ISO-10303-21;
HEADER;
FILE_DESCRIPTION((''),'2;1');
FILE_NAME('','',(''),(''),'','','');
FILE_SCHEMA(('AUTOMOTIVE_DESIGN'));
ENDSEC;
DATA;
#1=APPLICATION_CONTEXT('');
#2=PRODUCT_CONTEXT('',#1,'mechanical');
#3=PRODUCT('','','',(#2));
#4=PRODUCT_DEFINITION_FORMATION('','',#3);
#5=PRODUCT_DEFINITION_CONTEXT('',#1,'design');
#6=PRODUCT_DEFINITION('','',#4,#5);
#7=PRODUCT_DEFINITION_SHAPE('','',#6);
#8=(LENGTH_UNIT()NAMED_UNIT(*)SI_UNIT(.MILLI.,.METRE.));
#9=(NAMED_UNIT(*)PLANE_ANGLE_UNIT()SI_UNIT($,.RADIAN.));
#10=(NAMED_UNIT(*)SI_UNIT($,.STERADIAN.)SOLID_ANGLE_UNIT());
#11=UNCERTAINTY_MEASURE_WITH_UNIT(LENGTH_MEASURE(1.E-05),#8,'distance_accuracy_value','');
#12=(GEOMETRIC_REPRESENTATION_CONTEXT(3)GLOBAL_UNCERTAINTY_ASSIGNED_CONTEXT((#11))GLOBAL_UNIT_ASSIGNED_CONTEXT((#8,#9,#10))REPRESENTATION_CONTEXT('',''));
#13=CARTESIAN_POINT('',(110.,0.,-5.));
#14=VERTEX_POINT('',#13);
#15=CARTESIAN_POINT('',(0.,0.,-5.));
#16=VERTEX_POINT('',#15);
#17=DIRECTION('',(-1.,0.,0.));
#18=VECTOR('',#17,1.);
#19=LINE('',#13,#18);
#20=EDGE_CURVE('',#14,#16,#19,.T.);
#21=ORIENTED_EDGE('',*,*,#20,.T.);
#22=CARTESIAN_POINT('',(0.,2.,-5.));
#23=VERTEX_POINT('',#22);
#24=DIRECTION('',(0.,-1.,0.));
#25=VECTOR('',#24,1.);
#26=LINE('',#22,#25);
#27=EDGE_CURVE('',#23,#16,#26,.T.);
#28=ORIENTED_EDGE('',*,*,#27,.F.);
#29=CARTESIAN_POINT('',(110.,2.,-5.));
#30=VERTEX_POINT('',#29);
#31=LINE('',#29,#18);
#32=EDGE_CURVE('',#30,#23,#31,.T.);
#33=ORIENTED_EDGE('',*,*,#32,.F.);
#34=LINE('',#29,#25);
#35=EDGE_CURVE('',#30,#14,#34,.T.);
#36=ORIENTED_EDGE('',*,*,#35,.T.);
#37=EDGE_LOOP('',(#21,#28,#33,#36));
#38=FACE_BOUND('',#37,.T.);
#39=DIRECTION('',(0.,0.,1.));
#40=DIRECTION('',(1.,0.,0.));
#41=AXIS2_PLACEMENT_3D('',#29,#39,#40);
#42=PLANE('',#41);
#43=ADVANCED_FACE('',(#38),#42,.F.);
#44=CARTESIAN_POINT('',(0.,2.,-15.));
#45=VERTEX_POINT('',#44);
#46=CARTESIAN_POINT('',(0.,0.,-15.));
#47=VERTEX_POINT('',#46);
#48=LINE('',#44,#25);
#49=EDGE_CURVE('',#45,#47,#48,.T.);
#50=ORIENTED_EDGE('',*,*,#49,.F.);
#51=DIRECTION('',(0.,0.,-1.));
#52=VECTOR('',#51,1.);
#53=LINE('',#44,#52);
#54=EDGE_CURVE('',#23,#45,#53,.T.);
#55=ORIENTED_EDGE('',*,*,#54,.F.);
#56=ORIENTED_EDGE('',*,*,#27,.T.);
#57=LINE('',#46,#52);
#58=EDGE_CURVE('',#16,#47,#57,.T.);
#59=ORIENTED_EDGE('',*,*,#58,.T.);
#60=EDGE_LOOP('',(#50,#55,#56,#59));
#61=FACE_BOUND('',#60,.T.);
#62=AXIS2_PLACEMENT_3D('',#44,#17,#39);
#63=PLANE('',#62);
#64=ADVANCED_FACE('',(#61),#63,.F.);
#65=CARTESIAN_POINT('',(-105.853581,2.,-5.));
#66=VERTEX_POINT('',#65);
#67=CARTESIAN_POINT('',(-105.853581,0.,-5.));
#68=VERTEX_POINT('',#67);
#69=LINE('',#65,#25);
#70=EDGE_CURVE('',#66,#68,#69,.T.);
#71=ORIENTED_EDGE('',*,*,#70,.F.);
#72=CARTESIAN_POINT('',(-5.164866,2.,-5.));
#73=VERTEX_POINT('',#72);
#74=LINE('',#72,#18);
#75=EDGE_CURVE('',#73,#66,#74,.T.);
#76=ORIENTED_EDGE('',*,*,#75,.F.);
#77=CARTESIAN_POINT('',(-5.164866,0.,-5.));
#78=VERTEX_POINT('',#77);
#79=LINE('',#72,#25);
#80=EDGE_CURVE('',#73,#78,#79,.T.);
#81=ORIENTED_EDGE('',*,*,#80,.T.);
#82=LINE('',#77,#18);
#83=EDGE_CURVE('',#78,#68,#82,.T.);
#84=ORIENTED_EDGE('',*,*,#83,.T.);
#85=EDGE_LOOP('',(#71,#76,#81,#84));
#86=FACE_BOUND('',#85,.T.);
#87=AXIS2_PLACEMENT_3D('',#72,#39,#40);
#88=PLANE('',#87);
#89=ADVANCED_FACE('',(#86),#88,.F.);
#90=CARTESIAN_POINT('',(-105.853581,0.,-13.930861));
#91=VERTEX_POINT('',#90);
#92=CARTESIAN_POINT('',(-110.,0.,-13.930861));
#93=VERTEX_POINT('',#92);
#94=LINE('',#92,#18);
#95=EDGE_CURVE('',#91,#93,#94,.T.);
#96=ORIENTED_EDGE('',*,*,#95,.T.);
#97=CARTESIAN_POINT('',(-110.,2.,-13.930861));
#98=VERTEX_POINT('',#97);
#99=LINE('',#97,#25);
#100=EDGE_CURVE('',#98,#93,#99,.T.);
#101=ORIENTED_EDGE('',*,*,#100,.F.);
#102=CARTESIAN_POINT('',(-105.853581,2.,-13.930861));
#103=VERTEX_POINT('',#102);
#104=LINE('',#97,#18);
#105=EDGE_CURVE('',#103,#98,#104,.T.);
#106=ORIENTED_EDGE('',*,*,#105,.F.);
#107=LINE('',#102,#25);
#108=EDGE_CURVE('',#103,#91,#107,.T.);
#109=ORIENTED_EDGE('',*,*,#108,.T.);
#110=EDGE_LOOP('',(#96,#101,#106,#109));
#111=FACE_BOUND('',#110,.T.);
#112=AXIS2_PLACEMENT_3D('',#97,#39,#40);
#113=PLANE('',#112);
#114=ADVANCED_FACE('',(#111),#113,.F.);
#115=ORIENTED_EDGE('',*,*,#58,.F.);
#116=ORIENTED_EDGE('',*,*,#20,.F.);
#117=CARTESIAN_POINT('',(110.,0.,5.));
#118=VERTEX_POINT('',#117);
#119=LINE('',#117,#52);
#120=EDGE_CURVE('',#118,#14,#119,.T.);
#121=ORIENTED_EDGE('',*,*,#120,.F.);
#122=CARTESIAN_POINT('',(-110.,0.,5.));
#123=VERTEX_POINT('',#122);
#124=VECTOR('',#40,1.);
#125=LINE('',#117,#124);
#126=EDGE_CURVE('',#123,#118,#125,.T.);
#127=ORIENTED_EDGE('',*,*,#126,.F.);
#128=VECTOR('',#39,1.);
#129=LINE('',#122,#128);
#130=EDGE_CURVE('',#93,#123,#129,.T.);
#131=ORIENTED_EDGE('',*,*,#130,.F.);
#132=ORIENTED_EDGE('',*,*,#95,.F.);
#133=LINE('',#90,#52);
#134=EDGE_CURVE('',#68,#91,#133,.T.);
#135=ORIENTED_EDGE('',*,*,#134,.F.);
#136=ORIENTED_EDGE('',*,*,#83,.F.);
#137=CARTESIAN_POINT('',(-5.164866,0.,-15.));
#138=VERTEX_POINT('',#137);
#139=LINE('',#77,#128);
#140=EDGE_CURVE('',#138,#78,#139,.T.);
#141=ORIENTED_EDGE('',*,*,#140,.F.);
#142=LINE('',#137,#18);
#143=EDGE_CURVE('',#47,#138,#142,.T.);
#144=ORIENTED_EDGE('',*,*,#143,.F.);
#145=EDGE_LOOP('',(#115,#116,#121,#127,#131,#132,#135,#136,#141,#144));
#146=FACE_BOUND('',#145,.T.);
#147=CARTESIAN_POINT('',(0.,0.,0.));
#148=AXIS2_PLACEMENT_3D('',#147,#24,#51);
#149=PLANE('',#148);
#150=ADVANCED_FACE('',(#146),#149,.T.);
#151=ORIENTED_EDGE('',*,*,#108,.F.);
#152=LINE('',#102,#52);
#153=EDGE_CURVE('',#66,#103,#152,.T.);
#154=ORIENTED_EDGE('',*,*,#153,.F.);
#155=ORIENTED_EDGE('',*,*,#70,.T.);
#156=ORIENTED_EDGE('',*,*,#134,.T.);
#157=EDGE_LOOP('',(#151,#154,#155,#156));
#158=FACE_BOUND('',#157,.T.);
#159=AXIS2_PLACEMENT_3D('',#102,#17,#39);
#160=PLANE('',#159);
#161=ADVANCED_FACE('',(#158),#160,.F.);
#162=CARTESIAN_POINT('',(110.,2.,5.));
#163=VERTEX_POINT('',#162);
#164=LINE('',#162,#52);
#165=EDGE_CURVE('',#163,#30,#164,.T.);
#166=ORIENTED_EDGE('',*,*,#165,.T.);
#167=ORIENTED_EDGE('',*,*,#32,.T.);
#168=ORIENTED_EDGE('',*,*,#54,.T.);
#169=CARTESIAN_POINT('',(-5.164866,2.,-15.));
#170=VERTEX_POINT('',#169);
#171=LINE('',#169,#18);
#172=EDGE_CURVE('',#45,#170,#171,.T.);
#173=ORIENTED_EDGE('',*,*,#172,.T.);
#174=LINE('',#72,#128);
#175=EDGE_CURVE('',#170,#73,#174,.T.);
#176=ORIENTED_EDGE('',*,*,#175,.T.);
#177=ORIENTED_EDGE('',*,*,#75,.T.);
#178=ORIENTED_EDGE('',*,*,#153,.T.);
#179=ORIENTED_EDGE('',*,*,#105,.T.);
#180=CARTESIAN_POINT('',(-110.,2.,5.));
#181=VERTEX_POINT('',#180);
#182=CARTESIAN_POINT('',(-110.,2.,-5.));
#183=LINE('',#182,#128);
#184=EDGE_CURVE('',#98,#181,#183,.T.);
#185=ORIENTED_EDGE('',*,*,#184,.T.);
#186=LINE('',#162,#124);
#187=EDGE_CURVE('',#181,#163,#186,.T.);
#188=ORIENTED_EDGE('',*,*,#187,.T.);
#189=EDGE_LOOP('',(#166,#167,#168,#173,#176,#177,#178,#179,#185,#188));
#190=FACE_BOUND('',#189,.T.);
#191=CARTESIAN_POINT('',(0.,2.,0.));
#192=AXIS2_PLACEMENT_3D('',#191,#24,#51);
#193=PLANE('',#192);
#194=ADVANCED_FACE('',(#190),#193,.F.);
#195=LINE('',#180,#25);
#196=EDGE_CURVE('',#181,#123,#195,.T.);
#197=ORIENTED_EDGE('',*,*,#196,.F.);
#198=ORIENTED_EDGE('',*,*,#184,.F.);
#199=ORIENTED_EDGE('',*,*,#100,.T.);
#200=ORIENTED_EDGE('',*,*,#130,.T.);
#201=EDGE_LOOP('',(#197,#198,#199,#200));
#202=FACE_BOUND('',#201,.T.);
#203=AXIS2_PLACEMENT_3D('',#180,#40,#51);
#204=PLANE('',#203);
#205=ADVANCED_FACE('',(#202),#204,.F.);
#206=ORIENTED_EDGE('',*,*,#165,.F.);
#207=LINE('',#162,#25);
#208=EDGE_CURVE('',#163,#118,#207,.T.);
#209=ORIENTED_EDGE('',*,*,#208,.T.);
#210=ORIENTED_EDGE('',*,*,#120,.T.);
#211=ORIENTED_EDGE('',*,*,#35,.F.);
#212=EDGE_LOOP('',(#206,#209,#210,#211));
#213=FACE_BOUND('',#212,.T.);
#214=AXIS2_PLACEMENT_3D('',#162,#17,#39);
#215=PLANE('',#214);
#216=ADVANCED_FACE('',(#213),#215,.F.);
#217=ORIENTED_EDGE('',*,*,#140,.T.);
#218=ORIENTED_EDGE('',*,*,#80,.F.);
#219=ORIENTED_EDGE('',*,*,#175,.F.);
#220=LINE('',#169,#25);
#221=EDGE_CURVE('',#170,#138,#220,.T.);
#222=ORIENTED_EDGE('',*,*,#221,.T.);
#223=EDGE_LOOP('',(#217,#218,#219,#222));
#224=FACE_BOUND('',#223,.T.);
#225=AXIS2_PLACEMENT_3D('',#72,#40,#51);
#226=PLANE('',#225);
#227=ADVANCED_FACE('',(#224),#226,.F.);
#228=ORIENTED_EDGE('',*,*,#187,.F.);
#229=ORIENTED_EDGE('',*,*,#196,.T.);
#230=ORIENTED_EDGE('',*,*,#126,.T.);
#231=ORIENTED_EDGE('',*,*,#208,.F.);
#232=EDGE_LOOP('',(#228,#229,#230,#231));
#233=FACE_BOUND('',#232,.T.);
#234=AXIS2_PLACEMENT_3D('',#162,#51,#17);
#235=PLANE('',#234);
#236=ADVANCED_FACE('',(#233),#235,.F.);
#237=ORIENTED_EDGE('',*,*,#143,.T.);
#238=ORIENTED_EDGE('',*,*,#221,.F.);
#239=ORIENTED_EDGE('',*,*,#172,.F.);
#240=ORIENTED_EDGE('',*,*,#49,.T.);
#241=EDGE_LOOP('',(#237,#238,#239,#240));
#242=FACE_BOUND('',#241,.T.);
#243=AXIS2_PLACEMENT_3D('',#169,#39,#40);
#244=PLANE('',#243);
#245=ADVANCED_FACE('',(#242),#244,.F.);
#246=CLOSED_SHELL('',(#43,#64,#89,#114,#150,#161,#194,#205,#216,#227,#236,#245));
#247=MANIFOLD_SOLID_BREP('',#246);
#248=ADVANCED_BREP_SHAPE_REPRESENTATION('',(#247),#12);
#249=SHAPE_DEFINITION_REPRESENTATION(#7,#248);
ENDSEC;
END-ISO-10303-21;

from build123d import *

# Parameters (mm, degrees)
BOSS_EXTRUDE1_DEPTH = 2


with BuildPart() as part:
    # Sketch1 → Boss-Extrude1 (new body)
    with BuildSketch(Plane(origin=(0, 0, 0), x_dir=(1, 0, 0), z_dir=(0, 1, 0))):
        Polygon((110, -5), (-110, -5), (-110, 5), (-110, 13.93086099), (-105.853581382, 13.93086099), (-105.853581382, 5), (-5.164865529, 5), (-5.164865529, 15), (0, 15), (0, 5), (110, 5), align=None)
    extrude(amount=BOSS_EXTRUDE1_DEPTH)


solid = part.part
